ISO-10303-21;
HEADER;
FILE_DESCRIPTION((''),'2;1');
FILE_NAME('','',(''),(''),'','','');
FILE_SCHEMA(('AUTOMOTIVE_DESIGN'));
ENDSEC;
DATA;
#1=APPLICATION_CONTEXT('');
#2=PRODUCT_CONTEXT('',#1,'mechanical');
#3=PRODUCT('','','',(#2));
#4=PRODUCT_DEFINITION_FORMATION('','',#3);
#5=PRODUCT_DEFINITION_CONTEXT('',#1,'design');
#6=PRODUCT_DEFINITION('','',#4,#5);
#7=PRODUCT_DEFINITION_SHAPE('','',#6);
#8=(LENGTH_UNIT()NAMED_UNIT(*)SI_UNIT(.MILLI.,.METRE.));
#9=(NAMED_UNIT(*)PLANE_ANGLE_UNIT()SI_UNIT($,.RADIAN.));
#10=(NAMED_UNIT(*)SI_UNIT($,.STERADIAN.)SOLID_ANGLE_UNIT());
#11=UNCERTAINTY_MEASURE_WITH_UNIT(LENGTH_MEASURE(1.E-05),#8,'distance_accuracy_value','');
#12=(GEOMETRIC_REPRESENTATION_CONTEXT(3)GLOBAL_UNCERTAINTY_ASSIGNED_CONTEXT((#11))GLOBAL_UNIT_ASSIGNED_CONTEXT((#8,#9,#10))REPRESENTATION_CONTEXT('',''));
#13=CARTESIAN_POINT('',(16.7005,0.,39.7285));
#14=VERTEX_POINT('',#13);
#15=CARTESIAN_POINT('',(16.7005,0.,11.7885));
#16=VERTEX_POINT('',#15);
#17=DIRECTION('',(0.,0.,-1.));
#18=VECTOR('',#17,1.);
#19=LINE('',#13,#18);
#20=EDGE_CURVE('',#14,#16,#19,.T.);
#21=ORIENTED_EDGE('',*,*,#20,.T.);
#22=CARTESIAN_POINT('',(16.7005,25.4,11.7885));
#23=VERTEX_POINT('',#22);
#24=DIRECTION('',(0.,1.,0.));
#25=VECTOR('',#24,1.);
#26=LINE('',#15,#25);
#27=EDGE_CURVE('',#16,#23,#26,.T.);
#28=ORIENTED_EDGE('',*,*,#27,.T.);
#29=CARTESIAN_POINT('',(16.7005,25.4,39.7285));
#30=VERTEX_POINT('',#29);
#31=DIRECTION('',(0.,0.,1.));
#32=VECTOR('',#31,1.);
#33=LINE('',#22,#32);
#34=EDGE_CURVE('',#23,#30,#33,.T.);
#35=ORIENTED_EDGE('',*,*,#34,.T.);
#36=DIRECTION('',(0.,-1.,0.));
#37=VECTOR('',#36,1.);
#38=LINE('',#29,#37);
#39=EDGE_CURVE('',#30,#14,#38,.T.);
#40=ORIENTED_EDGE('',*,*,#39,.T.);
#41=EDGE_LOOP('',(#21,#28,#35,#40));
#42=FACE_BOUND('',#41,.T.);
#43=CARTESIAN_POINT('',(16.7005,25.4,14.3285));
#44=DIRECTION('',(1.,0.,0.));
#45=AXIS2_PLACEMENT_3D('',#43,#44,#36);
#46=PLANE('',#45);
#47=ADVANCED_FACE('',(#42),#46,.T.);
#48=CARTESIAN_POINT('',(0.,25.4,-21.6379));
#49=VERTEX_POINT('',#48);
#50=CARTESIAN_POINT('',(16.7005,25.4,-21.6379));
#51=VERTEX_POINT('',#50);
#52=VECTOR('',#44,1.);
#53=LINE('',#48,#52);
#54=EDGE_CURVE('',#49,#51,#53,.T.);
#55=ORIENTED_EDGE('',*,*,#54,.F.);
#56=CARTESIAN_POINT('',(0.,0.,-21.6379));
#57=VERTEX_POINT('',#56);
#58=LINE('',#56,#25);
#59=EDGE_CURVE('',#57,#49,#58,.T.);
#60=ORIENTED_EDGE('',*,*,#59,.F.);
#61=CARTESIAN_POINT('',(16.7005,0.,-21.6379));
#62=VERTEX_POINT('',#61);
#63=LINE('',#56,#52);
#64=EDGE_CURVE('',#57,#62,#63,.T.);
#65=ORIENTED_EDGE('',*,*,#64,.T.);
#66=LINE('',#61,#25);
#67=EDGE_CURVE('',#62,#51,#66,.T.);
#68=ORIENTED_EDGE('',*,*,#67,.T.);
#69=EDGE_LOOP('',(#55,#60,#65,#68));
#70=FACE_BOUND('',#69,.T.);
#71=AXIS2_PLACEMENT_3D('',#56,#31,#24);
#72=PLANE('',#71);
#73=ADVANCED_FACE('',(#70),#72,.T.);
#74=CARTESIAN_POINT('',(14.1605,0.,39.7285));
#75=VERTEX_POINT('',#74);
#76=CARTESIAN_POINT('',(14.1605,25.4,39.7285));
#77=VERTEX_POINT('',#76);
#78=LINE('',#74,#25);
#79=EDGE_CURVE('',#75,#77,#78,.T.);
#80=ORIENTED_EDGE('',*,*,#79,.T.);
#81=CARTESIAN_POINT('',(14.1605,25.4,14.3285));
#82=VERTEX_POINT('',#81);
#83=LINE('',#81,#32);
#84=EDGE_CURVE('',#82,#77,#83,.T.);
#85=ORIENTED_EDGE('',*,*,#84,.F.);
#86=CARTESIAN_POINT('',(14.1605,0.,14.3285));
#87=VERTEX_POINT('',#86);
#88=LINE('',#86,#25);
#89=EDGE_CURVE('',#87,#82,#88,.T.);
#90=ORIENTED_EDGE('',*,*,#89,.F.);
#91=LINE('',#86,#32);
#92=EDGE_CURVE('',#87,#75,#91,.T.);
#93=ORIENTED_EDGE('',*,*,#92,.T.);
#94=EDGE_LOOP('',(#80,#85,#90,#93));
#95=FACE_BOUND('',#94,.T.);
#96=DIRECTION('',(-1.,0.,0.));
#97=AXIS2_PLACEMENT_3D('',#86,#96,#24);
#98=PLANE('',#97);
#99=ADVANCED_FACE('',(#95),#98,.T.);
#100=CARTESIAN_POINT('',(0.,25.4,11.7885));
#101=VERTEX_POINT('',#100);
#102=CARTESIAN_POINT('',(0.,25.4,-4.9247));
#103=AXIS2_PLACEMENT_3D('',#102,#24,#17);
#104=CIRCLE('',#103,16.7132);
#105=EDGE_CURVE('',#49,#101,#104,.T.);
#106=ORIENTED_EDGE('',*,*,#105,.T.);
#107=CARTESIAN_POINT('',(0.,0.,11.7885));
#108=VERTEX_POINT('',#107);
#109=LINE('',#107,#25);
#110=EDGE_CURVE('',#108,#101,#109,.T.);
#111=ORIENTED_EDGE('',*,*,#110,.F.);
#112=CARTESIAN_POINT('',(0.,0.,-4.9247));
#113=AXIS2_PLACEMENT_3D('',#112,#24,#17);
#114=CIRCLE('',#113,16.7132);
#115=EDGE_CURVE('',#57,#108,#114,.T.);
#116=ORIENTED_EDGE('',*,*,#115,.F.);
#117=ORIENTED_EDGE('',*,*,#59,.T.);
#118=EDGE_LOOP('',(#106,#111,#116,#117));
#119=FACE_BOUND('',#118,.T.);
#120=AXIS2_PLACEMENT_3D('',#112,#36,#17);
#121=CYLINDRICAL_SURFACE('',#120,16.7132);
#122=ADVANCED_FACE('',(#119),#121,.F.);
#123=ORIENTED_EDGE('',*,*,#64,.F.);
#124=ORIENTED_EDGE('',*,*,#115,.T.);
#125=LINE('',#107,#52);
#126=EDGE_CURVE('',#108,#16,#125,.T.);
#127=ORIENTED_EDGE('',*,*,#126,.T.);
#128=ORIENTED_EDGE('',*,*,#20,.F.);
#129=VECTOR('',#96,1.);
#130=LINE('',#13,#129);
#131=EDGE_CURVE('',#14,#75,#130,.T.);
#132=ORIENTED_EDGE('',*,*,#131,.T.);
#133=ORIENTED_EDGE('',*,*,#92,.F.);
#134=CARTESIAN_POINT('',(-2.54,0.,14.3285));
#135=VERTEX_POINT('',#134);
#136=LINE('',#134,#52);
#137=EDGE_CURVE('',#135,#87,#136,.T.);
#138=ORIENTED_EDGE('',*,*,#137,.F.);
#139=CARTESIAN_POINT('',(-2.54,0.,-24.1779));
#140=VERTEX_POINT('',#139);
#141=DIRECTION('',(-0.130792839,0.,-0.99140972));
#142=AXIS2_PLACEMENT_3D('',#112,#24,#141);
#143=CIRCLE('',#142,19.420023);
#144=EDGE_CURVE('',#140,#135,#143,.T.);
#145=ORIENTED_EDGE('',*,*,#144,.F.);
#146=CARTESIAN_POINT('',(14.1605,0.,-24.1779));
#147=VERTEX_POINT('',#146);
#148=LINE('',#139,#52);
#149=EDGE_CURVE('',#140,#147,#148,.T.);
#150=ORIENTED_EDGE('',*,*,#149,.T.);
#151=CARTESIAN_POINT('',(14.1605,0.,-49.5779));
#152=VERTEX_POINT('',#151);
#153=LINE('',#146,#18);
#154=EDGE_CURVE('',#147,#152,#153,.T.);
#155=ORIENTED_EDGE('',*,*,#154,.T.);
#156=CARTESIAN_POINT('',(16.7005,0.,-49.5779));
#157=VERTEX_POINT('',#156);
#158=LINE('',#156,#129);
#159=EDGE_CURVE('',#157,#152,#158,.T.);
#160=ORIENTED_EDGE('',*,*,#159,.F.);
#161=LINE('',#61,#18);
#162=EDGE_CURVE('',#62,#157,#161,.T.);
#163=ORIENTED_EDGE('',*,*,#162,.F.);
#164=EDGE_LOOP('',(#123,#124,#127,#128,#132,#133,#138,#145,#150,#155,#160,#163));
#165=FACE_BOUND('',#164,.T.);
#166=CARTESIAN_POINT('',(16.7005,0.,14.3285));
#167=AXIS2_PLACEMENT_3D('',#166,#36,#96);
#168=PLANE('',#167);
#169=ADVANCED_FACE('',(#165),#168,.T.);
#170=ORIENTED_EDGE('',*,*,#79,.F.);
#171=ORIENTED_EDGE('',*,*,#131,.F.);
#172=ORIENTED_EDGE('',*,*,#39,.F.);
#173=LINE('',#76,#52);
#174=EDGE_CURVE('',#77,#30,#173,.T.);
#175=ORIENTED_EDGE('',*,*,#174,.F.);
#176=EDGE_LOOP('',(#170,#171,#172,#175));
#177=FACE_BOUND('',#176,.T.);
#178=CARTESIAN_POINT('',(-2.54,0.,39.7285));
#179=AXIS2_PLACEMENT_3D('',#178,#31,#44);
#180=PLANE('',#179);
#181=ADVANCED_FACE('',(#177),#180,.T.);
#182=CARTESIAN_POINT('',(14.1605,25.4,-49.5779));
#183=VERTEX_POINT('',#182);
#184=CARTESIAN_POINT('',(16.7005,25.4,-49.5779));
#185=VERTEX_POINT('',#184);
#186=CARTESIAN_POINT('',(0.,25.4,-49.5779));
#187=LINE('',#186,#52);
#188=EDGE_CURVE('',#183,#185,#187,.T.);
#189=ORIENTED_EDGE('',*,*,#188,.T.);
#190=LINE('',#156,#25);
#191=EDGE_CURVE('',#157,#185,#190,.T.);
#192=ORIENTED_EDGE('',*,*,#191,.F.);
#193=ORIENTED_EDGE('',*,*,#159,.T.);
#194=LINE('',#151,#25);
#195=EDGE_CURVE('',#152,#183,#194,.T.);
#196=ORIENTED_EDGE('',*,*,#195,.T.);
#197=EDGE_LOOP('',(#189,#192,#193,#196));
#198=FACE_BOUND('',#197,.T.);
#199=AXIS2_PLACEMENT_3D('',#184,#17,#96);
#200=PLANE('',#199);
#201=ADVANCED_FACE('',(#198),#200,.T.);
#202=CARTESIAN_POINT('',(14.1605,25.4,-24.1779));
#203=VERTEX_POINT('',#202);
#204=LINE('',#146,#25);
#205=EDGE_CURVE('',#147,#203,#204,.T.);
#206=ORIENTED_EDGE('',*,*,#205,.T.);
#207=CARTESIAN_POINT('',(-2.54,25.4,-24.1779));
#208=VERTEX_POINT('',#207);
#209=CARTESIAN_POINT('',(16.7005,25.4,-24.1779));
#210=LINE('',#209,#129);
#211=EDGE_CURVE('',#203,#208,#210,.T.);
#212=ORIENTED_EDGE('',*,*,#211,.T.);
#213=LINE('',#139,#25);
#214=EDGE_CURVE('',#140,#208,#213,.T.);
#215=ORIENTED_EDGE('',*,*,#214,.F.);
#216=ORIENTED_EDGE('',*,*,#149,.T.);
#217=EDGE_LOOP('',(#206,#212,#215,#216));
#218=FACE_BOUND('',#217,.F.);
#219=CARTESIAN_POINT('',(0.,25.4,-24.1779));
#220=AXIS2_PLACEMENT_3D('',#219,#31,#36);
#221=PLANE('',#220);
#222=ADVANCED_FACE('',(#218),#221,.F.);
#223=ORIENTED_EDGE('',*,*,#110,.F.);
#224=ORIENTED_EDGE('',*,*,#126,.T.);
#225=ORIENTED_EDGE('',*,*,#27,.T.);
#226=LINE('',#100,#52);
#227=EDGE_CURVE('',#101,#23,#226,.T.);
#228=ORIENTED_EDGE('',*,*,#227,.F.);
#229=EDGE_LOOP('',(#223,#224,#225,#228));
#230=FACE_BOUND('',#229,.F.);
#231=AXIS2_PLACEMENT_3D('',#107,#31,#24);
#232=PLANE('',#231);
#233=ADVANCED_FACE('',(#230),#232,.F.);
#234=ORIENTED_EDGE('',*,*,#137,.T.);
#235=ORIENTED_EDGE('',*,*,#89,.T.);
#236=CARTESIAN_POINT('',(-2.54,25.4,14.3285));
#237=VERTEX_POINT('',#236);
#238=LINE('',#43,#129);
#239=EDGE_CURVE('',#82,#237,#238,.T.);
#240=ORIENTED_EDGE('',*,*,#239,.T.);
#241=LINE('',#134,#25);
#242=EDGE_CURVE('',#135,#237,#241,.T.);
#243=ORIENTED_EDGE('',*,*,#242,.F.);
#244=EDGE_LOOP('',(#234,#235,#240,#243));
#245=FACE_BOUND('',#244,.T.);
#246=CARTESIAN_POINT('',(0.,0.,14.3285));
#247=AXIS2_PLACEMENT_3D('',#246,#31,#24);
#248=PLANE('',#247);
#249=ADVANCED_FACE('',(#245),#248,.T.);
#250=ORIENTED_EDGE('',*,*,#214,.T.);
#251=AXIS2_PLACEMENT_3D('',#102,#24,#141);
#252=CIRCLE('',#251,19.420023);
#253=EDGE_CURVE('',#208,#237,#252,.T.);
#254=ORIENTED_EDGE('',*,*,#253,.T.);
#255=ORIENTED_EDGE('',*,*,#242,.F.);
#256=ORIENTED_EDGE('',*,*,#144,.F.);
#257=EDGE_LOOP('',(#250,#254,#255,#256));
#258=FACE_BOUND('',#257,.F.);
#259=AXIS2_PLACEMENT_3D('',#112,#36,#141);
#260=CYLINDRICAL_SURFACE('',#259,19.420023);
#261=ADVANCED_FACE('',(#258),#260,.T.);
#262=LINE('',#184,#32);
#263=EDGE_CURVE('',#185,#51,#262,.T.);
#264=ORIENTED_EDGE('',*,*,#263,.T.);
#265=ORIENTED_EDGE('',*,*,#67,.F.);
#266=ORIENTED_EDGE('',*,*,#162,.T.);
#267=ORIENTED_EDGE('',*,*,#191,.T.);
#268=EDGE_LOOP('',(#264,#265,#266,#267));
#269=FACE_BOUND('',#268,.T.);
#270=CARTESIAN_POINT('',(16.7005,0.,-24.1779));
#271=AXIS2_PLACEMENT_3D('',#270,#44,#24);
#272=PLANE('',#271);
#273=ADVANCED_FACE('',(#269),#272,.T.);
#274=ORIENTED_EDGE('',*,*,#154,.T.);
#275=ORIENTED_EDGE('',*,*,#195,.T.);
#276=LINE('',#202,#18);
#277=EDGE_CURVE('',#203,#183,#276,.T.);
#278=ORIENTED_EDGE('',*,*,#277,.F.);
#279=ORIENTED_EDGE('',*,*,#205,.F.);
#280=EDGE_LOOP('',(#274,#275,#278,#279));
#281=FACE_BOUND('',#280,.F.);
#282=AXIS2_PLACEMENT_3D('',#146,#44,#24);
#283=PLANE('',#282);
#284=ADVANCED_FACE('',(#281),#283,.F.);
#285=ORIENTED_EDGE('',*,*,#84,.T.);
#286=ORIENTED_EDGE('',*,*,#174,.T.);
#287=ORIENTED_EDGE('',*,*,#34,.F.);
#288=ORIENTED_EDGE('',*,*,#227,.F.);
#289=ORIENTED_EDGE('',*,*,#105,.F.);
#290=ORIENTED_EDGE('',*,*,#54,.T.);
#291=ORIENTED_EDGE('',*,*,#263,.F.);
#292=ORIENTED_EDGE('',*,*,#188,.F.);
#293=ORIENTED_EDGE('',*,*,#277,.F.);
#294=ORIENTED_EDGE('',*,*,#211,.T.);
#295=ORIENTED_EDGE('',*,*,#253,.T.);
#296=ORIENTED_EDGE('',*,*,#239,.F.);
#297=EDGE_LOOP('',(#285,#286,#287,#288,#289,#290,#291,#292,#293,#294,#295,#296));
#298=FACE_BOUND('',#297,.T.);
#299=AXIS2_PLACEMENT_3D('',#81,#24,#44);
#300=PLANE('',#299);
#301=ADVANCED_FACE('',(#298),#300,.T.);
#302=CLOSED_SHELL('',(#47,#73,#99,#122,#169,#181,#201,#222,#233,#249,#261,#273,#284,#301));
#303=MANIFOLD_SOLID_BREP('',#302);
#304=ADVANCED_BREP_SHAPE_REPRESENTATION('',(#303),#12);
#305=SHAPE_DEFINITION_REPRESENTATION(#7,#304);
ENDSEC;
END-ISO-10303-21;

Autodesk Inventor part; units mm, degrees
ref_plane "YZ Plane" through (0, 0, 0) normal (1, 0, 0) x (0, 1, 0)
ref_plane "XZ Plane" through (0, 0, 0) normal (0, 1, 0) x (-1, 0, 0)
ref_plane "XY Plane" through (0, 0, 0) normal (0, 0, 1) x (1, 0, 0)
sketch "Sketch1" plane through (0, 0, 0) normal (0, 1, 0) x (-1, 0, 0)
  arc A0 (0, -21.6252) -> (0, 11.7758) centre (0, -4.9247) ccw
  line L0 (0, 37.1885) -> (0, 11.7885)
  line L1 (0, -21.6379) -> (0, -47.0379)
  arc A1 (0, -21.6379) -> (0, 11.7885) centre (0, -4.9247) ccw
  line L2 (0, 37.1885) -> (2.54, 37.1885)
  line L3 (0, -47.0379) -> (2.54, -47.0379)
  line L4 (2.54, 37.1885) -> (2.54, 14.3285)
  line L5 (2.54, -47.0379) -> (2.54, -24.1779)
  arc A2 (2.54, -24.1779) -> (2.54, 14.3285) centre (0, -4.9247) ccw
  dimension "d0" = 33.401
  dimension "d1" = 25.4
  dimension "d2" = 25.4
  dimension "d3" = 33.4264
  dimension "d6" = 16.7132
  dimension "d7" = 16.7132
  dimension "d8" = 2.54
  dimension "d9" = 2.54
  dimension "d10" = 19.2532
  dimension "d11" = 19.2532
extrude "Extrusion1" add sketch "Sketch1" along normal blind 25.4
sketch "Sketch2" plane through (0, 0, 37.1885) normal (1, 0, 0) x (0, 0, -1)
  line L0 (25.4, 0) -> (25.4, 25.4) projected
  line L1 (22.86, 0) -> (22.86, 25.4) projected
  line L2 (25.4, 25.4) -> (22.86, 25.4)
  line L3 (22.86, 25.4) -> (22.86, 0)
  line L4 (22.86, 0) -> (25.4, 0)
  line L5 (25.4, 0) -> (25.4, 25.4)
  line L6 (25.4, 25.4) -> (58.8264, 25.4) projected
  line L7 (61.3664, 0) -> (22.86, 0) projected
  line L8 (58.8264, 25.4) -> (61.3664, 25.4)
  line L9 (61.3664, 25.4) -> (61.3664, 0)
  line L10 (61.3664, 0) -> (58.8264, 0)
  line L11 (58.8264, 0) -> (58.8264, 25.4)
  point P0 (37.1885, 0)
extrude "Extrusion2" add sketch "Sketch2" along normal blind 16.7005 contours L4 L1 L2 L0 | L11 L8 L9 L7
sketch "Sketch3" plane through (0, 0, -47.0379) normal (1, 0, 0) x (0, 0, -1)
  line L0 (0, 25.4) -> (-22.86, 25.4) projected
  line L1 (-22.86, 0) -> (0, 0) projected
  line L2 (0, 25.4) -> (-22.86, 25.4)
  line L3 (-22.86, 25.4) -> (-22.86, 0)
  line L4 (-22.86, 0) -> (0, 0)
  line L5 (0, 0) -> (0, 25.4)
  line L6 (-61.3664, 25.4) -> (-84.2264, 25.4) projected
  line L7 (-22.86, 0) -> (-61.3664, 0) projected
  line L8 (-84.2264, 25.4) -> (-61.3664, 25.4)
  line L9 (-61.3664, 25.4) -> (-61.3664, 0)
  line L10 (-61.3664, 0) -> (-84.2264, 0)
  line L11 (-84.2264, 0) -> (-84.2264, 25.4)
  point P0 (-47.0379, 0)
extrude "Extrusion3" cut sketch "Sketch3" against normal blind 16.7005
sketch "Sketch4" plane through (16.7005, 25.4, -24.1779) normal (0, 0, -1) x (-1, 0, 0)
  line L0 (0, -25.4) -> (0, 0) projected
  line L1 (16.7005, 0) -> (0, 0) projected
  line L2 (0, -25.4) -> (2.54, -25.4)
  line L3 (2.54, -25.4) -> (2.54, 0)
  line L4 (2.54, 0) -> (0, 0)
  line L5 (0, 0) -> (0, -25.4)
  point P0 (16.7005, -25.4)
  dimension "d18" = 2.54
extrude "Extrusion4" add sketch "Sketch4" along normal blind 25.4
sketch "Sketch5" plane through (-2.54, 0, 14.3285) normal (0, 0, 1) x (1, 0, 0)
  line L0 (19.2405, 25.4) -> (19.2405, 0) projected
  line L1 (16.7005, 0) -> (16.7005, 25.4) projected
  line L2 (19.2405, 0) -> (16.7005, 0)
  line L3 (16.7005, 0) -> (16.7005, 25.4)
  line L4 (16.7005, 25.4) -> (19.2405, 25.4)
  line L5 (19.2405, 25.4) -> (19.2405, 0)
  point P0 (2.54, 0)
extrude "Extrusion5" add sketch "Sketch5" along normal blind 25.4
equation "\"d2\" = d1"
equation "\"d7\" = d6"
equation "\"d9\" = d8"
properties part number "Attachy-thing Derek"
